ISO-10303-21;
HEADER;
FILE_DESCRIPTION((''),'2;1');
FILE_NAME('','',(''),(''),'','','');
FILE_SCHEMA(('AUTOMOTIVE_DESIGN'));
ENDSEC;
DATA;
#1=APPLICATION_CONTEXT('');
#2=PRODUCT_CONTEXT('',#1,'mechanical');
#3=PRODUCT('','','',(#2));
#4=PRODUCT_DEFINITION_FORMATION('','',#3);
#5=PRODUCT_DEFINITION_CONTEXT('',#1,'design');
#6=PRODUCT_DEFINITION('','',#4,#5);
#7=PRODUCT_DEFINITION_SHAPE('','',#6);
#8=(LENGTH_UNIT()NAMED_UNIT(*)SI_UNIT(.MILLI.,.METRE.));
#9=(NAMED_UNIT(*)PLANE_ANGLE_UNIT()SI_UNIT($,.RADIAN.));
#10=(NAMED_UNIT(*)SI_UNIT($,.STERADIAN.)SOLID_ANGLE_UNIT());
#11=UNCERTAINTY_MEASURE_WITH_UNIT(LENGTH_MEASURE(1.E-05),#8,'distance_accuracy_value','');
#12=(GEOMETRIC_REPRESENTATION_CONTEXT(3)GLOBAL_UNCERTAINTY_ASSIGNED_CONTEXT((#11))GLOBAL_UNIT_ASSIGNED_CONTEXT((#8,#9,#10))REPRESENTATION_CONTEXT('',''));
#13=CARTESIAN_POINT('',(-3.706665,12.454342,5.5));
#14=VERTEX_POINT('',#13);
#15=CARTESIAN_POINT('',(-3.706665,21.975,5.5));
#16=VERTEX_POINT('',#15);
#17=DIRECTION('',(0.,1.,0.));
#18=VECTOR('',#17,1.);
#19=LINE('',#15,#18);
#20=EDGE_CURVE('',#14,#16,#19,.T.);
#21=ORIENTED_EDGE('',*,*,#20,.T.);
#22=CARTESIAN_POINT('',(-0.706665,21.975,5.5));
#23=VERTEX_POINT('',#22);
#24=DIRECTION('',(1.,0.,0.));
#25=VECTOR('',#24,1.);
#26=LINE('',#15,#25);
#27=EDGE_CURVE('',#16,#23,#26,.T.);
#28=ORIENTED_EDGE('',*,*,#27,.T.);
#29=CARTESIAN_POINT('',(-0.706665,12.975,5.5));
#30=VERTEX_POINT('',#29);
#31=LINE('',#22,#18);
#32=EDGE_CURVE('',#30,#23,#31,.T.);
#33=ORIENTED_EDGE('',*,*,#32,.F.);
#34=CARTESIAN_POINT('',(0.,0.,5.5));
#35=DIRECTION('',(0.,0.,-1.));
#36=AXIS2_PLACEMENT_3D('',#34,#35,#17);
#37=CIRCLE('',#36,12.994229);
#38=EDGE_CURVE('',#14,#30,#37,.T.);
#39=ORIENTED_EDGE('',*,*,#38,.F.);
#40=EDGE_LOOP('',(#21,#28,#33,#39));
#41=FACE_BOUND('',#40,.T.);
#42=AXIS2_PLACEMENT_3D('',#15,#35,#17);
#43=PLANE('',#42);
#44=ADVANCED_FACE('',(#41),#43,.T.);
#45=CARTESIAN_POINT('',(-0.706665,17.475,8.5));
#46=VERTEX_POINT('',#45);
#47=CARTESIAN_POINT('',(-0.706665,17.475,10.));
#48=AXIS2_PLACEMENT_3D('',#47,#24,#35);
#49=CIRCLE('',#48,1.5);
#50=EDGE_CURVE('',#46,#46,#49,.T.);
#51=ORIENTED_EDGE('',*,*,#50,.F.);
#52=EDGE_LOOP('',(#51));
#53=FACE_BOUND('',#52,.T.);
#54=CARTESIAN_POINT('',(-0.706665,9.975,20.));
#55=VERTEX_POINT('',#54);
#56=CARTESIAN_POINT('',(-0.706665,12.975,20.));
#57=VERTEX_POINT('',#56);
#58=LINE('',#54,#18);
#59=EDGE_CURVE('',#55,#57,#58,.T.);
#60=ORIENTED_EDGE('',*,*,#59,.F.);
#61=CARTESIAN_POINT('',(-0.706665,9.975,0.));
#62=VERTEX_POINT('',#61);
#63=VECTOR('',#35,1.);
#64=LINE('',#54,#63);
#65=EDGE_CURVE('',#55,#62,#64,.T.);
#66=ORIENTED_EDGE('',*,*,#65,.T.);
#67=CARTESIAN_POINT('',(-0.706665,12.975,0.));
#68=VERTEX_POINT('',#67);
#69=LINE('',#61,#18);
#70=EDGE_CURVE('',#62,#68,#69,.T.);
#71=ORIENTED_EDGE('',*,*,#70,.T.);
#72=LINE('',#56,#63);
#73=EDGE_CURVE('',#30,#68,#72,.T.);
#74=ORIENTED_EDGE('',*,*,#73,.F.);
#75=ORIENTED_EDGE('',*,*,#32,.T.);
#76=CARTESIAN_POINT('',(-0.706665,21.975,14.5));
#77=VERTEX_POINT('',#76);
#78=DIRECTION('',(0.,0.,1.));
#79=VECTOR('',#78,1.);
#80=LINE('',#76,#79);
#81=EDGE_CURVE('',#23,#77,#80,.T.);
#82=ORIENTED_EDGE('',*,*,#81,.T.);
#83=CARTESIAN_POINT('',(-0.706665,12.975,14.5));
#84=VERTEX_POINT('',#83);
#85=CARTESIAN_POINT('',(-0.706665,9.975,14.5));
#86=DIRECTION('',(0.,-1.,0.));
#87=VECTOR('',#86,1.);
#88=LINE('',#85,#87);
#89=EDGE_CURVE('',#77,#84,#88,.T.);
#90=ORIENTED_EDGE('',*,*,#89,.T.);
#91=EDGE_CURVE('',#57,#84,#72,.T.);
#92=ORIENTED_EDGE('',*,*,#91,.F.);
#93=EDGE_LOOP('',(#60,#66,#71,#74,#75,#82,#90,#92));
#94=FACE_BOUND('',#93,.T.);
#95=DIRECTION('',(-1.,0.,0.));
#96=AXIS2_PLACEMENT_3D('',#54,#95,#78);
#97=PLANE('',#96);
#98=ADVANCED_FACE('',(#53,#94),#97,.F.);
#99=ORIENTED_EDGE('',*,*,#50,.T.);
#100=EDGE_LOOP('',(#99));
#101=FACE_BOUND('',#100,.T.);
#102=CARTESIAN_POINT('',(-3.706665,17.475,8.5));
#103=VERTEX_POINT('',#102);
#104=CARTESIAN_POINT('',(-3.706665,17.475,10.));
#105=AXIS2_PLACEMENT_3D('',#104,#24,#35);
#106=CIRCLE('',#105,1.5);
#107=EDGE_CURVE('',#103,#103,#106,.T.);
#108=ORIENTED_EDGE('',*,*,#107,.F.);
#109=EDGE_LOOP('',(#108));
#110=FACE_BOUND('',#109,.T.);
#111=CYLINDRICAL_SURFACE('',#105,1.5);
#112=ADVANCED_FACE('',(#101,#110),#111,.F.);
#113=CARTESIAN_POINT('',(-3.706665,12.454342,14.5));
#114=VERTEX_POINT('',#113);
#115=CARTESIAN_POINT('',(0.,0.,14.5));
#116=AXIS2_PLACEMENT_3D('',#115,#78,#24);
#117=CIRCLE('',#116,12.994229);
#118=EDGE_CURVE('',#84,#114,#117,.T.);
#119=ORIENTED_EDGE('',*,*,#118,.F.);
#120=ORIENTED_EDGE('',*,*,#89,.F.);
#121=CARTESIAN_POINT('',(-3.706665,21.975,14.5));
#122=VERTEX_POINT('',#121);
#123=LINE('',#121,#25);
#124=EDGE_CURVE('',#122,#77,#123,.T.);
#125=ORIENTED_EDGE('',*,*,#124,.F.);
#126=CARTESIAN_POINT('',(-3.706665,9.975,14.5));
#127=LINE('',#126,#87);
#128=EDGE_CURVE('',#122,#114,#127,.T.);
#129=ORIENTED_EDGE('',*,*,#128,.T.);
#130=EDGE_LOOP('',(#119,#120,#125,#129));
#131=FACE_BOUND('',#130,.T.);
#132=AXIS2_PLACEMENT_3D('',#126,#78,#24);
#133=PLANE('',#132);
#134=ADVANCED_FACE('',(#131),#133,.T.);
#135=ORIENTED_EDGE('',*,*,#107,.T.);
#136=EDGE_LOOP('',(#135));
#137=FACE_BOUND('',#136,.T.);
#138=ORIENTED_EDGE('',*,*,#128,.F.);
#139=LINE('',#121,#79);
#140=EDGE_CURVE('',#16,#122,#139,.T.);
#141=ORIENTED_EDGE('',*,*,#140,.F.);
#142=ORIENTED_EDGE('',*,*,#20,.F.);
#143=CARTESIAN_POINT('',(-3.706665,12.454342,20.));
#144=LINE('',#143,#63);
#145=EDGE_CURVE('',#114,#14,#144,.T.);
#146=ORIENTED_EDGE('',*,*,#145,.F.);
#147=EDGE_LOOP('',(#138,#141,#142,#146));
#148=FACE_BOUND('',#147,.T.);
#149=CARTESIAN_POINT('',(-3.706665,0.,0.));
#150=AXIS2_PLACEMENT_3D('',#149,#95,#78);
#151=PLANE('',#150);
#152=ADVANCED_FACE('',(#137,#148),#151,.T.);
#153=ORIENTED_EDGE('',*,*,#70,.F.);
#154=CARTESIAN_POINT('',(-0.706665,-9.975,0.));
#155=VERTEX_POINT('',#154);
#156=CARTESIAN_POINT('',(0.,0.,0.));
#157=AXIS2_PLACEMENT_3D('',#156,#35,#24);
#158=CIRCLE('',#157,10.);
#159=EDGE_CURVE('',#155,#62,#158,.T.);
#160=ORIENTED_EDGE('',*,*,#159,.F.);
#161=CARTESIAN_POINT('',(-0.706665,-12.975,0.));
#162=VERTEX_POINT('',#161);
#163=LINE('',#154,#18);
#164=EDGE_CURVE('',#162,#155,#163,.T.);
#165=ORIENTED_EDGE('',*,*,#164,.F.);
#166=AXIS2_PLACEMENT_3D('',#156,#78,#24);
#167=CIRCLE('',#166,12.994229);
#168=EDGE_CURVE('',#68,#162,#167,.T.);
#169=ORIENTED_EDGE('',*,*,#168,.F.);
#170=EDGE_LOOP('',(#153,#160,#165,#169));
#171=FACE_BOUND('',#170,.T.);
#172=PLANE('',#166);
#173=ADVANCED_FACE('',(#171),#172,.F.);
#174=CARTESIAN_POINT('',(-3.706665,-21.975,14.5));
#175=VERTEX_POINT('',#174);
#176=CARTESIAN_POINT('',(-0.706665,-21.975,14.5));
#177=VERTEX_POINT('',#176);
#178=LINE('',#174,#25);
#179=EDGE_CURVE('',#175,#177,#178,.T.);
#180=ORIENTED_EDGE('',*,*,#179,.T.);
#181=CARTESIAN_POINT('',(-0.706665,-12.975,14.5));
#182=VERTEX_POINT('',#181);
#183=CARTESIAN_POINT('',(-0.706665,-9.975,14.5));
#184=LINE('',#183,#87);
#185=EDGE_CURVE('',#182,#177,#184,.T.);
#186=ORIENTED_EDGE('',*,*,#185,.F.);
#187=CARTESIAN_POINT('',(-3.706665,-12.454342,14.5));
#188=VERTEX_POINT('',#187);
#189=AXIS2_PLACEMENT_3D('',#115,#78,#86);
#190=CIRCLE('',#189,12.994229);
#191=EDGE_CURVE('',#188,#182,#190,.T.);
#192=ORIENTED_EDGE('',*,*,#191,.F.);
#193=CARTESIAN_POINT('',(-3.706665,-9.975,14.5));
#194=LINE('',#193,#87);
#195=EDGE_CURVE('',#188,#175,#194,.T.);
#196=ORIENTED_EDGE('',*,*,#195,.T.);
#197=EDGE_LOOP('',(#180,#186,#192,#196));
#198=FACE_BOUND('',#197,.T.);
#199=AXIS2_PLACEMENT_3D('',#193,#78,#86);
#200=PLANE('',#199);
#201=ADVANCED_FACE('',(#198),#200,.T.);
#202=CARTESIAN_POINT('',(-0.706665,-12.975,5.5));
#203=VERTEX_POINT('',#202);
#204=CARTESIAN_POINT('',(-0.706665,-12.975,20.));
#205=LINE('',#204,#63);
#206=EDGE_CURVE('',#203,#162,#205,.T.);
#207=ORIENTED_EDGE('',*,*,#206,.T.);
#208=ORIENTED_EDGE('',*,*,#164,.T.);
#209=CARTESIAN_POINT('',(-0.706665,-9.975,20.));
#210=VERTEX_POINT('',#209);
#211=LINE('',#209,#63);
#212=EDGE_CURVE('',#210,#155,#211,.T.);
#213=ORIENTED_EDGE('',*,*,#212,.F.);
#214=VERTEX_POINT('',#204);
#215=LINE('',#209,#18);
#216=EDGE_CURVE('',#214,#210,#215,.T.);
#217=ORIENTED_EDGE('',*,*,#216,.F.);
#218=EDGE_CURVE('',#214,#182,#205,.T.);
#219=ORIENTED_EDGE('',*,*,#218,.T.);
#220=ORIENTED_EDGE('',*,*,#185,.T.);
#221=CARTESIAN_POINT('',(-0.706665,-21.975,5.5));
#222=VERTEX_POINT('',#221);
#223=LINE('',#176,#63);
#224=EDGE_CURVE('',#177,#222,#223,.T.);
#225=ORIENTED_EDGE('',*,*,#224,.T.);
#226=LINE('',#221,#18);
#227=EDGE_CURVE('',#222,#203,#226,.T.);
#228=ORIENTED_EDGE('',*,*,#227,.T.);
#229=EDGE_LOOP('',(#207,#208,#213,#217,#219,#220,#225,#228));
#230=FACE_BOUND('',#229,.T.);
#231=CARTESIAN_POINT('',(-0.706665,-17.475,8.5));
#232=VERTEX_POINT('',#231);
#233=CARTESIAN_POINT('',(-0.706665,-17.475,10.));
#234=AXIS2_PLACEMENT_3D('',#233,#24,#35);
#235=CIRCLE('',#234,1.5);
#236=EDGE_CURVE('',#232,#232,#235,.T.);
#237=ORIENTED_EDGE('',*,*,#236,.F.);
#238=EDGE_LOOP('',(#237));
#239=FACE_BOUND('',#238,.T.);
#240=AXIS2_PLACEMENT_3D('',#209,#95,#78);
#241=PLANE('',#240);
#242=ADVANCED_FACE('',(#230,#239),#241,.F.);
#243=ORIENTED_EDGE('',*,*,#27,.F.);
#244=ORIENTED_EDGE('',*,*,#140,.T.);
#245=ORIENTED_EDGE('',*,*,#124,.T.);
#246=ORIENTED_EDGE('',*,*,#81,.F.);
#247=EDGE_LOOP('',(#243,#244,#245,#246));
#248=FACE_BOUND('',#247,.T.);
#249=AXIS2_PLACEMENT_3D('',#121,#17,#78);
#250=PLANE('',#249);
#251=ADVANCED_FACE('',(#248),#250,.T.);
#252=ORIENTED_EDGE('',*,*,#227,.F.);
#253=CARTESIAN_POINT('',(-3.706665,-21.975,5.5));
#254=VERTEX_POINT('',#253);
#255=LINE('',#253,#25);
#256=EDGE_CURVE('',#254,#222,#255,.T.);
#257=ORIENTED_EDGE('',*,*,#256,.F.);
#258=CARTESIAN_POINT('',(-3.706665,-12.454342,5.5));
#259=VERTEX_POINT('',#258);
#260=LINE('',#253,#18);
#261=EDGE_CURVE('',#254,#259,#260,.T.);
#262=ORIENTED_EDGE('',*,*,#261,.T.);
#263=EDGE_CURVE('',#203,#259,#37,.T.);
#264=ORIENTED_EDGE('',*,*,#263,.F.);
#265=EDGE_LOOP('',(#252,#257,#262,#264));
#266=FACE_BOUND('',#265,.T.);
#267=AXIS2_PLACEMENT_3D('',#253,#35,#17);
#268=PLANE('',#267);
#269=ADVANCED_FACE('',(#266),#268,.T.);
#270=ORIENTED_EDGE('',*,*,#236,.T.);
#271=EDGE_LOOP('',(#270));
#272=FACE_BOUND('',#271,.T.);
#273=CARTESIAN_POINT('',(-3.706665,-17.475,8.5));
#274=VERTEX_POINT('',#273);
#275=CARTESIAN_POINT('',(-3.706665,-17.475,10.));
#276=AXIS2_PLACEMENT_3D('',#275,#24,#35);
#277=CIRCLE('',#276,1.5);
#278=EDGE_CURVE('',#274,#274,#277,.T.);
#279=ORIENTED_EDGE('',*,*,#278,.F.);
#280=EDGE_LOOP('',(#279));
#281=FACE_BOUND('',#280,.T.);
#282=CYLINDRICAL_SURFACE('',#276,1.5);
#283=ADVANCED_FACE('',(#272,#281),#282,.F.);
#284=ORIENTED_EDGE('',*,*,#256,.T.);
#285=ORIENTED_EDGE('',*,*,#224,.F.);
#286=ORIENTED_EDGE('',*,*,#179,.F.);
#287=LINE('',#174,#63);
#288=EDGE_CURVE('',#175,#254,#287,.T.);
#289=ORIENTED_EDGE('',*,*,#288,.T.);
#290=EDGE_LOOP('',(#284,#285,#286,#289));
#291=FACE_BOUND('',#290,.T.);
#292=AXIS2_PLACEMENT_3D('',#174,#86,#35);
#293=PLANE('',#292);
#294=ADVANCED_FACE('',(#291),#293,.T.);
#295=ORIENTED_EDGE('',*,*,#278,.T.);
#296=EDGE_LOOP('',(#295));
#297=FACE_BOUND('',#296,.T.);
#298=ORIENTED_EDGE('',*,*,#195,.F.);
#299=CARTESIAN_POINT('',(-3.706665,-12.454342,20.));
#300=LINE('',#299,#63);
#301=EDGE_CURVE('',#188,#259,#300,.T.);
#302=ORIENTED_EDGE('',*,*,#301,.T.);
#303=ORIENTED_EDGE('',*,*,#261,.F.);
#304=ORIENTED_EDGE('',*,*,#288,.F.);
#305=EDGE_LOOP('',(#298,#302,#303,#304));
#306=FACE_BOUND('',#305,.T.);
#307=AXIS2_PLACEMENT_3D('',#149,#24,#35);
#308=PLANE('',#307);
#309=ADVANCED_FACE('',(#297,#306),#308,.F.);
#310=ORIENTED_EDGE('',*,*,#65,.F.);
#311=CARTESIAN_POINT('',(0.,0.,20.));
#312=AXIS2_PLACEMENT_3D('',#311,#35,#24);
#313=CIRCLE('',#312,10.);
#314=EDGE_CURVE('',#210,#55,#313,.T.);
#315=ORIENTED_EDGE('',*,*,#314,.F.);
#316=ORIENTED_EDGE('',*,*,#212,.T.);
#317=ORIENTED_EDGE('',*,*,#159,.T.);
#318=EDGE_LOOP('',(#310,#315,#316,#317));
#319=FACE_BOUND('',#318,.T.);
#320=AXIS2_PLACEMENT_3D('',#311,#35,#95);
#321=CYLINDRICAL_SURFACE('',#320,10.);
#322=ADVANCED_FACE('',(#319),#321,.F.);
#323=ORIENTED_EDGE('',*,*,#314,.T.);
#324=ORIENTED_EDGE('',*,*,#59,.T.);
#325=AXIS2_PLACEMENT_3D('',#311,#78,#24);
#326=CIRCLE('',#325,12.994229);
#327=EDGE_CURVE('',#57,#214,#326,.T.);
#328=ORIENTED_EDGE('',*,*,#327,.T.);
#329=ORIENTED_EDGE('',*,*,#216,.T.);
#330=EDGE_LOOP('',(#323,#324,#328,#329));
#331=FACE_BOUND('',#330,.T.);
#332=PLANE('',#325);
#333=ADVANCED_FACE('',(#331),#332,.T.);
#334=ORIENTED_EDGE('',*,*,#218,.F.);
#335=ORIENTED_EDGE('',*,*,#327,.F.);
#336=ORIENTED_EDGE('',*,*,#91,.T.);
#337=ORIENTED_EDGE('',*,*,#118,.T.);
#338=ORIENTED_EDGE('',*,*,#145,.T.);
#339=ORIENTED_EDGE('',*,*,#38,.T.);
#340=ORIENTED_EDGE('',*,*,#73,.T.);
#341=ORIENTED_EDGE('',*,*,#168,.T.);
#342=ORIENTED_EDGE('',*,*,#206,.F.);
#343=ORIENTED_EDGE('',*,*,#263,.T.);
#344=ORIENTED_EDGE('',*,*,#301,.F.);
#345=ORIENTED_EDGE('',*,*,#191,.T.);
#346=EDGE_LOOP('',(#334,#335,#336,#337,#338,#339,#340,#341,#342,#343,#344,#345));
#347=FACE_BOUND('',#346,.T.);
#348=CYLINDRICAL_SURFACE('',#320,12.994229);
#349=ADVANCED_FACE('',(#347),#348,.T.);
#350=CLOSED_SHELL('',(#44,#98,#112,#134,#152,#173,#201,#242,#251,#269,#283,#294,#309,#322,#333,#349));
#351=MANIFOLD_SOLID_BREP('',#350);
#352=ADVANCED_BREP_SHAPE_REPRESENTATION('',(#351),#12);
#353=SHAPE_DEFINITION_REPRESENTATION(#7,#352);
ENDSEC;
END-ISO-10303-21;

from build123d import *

# Parameters (mm, degrees)
EXTRUDE_1_DEPTH = 20
SKETCH_3_R      = 1.5
EXTRUDE_2_DEPTH = 3


with BuildPart() as part:
    # Эскиз1 → Бобышка-Вытянуть1 (new body)
    with BuildSketch(Plane.XY):
        with BuildLine():
            Line((-0.706664701, 9.975), (-0.706664701, 12.975))
            ThreePointArc((-0.706664701, 12.975), (-12.994229489, 0), (-0.706664701, -12.975))
            Line((-0.706664701, -12.975), (-0.706664701, -9.975))
            ThreePointArc((-0.706664701, -9.975), (-10, 0), (-0.706664701, 9.975))
        make_face()
    extrude(amount=EXTRUDE_1_DEPTH)

    # Эскиз3 → Бобышка-Вытянуть2 (add)
    # profile 1 of 2: a face of its own
    with BuildSketch(Plane(origin=(-0.706664701, 0, 0), x_dir=(0, 0, -1), z_dir=(1, 0, 0))):
        Polygon((-10, 9.975), (-14.5, 9.975), (-14.5, 21.975), (-5.5, 21.975), (-5.5, 9.975), align=None)
        with Locations((-10, 17.475)):
            Circle(SKETCH_3_R, mode=Mode.SUBTRACT)
    # profile 2 of 2: a face of its own
    with BuildSketch(Plane(origin=(-0.706664701, 0, 0), x_dir=(0, 0, -1), z_dir=(1, 0, 0))):
        Polygon((-10, -9.975), (-14.5, -9.975), (-14.5, -21.975), (-5.5, -21.975), (-5.5, -9.975), align=None)
        with Locations((-10, -17.475)):
            Circle(SKETCH_3_R, mode=Mode.SUBTRACT)
    extrude(amount=-EXTRUDE_2_DEPTH)


solid = part.part
